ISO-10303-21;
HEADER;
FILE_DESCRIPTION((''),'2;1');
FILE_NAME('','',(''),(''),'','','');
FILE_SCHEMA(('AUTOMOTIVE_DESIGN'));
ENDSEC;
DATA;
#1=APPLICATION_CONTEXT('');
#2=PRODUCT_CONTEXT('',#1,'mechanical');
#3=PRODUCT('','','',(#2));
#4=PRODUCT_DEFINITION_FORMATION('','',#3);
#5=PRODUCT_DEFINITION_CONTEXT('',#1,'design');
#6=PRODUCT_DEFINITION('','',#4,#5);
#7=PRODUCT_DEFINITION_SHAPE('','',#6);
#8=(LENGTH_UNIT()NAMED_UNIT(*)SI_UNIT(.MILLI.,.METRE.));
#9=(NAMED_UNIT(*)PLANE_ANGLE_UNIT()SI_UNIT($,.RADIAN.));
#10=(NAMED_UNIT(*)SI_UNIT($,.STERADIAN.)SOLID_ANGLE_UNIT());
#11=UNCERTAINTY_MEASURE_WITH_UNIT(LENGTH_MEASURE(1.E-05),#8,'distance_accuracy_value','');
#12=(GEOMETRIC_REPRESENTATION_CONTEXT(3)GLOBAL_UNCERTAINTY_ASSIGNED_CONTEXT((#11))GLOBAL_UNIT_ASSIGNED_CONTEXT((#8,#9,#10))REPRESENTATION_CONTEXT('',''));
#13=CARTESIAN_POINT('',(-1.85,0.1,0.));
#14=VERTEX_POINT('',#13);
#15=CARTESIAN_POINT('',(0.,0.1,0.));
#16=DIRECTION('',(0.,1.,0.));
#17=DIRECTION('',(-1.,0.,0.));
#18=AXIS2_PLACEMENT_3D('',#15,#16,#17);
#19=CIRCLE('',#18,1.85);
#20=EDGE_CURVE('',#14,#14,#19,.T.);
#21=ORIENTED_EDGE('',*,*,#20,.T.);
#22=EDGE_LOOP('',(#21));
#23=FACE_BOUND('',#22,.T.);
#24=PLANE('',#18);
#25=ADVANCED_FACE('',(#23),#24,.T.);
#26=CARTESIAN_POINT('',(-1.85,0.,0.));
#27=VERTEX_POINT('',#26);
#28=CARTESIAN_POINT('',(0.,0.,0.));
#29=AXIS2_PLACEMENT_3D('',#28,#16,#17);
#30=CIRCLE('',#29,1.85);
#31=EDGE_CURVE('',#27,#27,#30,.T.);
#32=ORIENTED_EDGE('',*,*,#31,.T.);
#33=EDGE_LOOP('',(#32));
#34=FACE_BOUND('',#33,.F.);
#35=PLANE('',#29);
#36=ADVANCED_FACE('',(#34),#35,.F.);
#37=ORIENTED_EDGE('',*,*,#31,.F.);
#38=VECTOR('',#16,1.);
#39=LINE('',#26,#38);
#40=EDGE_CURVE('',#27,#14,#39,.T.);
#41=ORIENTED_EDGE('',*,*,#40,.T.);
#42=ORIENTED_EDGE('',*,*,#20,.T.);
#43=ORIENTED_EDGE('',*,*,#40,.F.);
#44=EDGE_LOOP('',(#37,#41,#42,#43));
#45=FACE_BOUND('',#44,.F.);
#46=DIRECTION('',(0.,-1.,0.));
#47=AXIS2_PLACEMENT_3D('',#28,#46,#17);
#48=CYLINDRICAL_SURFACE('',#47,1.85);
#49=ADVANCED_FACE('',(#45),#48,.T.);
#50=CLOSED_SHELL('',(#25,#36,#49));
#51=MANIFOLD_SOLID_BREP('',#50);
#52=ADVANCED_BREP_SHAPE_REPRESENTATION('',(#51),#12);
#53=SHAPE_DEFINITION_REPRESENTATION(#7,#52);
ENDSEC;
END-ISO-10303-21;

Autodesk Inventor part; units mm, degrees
ref_plane "YZ Plane" through (0, 0, 0) normal (1, 0, 0) x (0, 1, 0)
ref_plane "XZ Plane" through (0, 0, 0) normal (0, 1, 0) x (-1, 0, 0)
ref_plane "XY Plane" through (0, 0, 0) normal (0, 0, 1) x (1, 0, 0)
sketch "Esquisse1" plane through (0, 0, 0) normal (0, 1, 0) x (-1, 0, 0)
  circle A0 centre (0, 0) radius 1.85
  dimension "d0" = 3.7
extrude "Extrusion1" add sketch "Esquisse1" along normal blind 0.1
properties part number "Vitre led"
